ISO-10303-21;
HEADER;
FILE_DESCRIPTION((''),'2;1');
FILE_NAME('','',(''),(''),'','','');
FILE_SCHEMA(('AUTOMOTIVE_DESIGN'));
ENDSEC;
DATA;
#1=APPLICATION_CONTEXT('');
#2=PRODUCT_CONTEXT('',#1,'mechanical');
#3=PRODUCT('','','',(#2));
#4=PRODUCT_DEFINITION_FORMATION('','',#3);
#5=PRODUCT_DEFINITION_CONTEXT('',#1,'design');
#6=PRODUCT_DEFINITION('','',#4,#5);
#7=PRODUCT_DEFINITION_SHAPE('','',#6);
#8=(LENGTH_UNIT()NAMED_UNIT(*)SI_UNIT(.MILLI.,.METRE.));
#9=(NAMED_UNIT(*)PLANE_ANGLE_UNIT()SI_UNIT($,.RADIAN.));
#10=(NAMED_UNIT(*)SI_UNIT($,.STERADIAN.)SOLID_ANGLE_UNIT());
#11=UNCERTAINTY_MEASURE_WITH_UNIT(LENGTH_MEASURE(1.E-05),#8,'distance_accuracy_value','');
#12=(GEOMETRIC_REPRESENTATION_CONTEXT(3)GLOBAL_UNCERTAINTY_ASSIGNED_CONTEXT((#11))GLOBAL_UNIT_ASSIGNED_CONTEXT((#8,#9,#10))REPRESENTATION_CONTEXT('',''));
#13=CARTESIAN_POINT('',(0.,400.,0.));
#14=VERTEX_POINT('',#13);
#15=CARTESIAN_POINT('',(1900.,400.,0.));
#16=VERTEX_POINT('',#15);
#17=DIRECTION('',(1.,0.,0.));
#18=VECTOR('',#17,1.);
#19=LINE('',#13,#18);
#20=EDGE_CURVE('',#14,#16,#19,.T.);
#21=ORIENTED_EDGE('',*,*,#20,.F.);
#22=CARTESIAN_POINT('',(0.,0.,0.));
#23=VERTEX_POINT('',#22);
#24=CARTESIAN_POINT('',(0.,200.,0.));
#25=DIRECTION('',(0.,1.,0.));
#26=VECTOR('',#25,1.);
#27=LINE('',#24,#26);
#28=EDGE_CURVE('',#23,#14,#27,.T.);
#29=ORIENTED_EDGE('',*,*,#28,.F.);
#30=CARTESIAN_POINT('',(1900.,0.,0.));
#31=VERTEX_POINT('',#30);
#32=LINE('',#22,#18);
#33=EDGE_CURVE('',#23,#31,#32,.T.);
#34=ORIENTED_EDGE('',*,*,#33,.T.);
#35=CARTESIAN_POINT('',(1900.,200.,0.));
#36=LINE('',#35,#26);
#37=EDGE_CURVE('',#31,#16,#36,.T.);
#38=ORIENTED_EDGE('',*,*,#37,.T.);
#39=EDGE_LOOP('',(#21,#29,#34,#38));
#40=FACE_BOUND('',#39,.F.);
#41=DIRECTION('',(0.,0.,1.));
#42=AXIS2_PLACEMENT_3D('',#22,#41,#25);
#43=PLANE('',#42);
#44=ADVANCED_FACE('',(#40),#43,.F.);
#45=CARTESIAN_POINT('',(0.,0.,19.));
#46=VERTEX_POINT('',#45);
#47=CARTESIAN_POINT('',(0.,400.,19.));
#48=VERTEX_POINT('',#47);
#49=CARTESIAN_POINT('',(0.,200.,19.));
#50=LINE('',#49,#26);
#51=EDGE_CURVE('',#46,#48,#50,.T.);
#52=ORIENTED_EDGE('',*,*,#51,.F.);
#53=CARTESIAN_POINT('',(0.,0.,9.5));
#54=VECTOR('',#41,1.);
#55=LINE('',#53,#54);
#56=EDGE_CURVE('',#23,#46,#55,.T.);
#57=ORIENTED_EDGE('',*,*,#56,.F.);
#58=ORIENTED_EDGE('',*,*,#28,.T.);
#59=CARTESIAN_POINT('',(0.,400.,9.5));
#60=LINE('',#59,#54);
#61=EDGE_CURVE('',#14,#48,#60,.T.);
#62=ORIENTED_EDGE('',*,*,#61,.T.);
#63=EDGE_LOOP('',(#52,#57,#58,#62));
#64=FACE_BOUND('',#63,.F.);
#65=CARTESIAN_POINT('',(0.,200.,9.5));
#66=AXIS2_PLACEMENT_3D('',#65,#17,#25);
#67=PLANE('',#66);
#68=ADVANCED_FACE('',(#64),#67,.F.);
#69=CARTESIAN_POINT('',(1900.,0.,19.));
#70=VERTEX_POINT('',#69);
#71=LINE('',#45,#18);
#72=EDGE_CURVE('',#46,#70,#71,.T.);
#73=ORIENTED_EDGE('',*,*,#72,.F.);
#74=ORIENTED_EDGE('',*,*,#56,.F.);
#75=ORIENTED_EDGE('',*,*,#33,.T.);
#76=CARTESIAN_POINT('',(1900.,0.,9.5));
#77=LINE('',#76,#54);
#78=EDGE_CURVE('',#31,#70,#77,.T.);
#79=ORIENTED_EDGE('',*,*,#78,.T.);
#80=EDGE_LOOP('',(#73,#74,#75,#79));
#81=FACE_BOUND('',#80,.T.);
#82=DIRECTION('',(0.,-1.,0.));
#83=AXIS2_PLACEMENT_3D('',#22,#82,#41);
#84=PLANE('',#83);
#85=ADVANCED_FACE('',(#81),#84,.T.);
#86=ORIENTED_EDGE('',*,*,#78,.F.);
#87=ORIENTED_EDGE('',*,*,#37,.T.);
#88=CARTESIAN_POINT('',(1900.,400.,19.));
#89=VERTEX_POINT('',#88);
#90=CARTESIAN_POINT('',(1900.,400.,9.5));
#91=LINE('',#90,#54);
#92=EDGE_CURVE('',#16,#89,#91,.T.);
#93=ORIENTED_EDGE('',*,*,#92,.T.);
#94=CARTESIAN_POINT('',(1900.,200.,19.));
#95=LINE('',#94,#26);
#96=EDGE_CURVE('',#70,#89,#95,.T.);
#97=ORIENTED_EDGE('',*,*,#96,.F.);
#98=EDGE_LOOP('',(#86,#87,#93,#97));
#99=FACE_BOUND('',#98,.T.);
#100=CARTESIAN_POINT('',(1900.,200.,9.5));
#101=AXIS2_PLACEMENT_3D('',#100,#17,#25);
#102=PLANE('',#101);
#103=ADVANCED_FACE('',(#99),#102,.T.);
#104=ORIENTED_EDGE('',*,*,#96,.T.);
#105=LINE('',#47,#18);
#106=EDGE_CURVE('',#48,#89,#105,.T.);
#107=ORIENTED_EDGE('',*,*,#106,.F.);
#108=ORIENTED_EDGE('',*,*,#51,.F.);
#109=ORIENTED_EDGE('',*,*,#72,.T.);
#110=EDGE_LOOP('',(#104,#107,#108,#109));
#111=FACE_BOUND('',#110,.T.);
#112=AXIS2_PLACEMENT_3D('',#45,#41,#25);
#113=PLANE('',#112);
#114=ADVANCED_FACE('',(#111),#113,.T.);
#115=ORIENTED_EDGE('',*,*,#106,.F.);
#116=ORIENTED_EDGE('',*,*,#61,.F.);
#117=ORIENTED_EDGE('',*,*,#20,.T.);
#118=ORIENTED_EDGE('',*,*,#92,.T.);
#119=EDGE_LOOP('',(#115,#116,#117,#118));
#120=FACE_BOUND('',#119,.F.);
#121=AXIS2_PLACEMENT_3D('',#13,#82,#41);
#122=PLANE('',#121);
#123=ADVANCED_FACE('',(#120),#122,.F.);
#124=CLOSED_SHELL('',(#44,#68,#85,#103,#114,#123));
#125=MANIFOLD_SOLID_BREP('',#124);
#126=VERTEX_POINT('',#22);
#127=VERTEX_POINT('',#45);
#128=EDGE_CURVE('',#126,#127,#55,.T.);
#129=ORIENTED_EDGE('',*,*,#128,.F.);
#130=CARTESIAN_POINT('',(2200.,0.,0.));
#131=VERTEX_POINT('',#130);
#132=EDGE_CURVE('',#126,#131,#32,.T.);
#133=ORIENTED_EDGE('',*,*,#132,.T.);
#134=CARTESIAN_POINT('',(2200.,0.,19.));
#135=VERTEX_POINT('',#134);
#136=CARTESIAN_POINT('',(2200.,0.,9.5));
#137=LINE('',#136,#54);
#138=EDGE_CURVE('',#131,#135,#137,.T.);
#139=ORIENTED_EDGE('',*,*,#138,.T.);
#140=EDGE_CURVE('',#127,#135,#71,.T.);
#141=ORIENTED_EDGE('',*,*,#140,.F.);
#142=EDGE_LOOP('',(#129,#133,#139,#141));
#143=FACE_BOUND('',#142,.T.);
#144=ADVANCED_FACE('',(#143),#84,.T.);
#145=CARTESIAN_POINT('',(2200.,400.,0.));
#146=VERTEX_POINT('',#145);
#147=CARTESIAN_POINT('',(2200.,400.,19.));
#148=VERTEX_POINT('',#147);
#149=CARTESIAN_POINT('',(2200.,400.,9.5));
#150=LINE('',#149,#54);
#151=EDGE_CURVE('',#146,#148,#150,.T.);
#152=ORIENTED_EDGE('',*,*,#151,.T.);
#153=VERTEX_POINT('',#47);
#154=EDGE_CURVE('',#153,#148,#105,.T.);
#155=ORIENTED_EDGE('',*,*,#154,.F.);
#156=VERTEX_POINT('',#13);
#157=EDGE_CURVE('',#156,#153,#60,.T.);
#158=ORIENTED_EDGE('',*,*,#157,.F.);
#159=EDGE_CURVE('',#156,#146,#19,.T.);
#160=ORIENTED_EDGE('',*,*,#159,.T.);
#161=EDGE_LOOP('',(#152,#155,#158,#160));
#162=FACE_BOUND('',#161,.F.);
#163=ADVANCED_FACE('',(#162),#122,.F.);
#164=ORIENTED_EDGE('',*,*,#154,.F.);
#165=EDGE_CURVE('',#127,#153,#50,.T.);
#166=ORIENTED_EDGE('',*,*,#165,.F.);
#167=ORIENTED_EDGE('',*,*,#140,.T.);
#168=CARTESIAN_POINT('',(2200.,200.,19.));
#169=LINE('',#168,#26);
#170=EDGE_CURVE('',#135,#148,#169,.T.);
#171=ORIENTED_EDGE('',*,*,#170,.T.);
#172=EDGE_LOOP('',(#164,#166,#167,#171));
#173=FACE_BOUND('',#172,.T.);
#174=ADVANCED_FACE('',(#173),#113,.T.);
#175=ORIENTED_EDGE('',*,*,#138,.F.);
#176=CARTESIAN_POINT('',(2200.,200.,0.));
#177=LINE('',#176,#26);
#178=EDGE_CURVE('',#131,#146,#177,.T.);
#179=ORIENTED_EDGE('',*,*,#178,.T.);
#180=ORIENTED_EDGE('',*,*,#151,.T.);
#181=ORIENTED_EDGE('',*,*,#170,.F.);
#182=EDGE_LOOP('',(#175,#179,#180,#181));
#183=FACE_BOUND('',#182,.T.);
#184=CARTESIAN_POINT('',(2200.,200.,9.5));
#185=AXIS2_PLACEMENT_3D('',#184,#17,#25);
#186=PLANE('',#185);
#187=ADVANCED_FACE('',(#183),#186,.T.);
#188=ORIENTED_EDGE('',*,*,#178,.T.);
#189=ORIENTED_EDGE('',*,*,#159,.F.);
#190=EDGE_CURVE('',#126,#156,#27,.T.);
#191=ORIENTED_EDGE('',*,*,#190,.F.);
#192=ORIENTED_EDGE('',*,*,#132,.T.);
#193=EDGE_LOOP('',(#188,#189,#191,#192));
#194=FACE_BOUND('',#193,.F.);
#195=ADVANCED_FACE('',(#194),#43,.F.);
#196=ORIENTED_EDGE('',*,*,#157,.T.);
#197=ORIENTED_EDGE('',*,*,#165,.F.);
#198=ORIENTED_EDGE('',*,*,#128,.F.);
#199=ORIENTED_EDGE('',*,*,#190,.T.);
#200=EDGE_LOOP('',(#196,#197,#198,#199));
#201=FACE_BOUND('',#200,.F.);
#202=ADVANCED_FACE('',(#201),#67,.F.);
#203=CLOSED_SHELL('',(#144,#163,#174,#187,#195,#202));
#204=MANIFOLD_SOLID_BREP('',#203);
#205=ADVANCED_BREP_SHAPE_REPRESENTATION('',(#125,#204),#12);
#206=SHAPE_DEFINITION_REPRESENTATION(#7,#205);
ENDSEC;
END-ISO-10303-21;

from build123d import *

# Parameters (mm, degrees)
F0_W     = 400
F0_H     = 19
F1_DEPTH = 2200
F2_DEPTH = 1900


with BuildPart() as f1:
    # F0 (on Right) → F1 (new body)
    with BuildSketch(Plane.YZ):
        with Locations((200, 9.5)):
            Rectangle(F0_W, F0_H)
    extrude(amount=F1_DEPTH)


with BuildPart() as f2:
    # F0 (on Right) → F2 (new body)
    with BuildSketch(Plane.YZ):
        with Locations((200, 9.5)):
            Rectangle(F0_W, F0_H)
    extrude(amount=F2_DEPTH)


solid = Compound([f1.part, f2.part])
